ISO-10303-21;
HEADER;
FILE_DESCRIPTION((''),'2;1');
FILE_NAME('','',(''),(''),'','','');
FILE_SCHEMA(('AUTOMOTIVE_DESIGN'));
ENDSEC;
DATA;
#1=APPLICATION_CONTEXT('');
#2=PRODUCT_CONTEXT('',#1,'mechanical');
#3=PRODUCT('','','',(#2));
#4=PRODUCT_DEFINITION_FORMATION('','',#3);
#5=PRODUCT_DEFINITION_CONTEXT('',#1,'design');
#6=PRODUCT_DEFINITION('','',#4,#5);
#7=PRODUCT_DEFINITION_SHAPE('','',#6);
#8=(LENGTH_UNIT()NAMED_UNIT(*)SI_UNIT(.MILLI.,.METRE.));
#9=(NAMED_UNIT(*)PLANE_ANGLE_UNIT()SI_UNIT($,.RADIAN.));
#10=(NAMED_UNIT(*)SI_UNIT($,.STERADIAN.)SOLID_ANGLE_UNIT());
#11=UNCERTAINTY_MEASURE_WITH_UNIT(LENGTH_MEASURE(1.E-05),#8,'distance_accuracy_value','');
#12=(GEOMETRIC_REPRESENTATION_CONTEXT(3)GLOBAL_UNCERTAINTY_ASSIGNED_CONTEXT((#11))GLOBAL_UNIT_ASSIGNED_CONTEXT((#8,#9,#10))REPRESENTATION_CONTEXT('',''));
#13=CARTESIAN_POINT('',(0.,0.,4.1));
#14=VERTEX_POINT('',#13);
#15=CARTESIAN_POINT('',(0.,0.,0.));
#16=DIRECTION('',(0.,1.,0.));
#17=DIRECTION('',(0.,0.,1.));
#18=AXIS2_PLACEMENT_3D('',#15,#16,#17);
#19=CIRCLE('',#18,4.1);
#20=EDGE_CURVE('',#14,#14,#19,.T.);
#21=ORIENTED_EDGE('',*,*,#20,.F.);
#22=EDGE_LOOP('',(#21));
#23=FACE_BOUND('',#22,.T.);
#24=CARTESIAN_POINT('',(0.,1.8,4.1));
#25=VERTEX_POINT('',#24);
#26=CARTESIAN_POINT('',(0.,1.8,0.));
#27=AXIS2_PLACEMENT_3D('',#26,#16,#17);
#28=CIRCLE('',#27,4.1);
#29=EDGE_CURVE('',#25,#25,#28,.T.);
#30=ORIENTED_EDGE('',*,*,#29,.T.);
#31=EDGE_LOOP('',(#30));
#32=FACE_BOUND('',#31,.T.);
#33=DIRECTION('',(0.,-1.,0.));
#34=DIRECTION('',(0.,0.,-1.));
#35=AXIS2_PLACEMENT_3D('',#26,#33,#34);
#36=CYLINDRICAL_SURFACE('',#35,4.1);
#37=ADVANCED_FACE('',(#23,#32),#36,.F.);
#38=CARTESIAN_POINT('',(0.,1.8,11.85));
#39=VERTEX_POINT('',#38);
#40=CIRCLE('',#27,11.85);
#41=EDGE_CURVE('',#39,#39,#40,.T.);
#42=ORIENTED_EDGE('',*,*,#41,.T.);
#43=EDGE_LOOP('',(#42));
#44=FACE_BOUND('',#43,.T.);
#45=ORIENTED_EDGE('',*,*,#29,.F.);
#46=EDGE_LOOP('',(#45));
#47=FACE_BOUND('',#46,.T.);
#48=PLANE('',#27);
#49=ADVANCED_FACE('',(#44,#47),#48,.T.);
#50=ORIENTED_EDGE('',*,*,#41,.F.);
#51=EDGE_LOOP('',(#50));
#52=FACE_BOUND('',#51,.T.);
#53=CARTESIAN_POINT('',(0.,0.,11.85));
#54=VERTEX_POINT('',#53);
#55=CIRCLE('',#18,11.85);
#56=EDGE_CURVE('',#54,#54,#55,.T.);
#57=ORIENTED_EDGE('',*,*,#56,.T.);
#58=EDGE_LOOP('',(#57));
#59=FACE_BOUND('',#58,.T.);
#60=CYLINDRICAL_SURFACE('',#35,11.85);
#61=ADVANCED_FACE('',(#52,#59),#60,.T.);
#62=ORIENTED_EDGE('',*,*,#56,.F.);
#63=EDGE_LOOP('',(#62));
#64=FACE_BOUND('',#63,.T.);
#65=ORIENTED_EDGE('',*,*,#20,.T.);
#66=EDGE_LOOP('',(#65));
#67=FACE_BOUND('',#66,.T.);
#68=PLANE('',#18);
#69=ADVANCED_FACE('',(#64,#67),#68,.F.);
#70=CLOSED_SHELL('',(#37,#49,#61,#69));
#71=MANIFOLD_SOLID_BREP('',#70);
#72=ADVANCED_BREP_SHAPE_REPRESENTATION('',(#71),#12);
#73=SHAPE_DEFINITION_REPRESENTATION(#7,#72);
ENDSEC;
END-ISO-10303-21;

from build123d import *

# Parameters (mm, degrees)
SKETCH1_R           = 11.85
SKETCH1_R_2         = 4.1
BOSS_EXTRUDE1_DEPTH = 1.8


with BuildPart() as part:
    # Sketch1 → Boss-Extrude1 (new body)
    with BuildSketch(Plane(origin=(0, 0, 0), x_dir=(1, 0, 0), z_dir=(0, 1, 0))):
        with Locations(Location((0, 0, 0), (0, 0, 270))):  # turned: the seam where the file's is
            Circle(SKETCH1_R)
        with Locations(Location((0, 0, 0), (0, 0, 270))):  # turned: the seam where the file's is
            Circle(SKETCH1_R_2, mode=Mode.SUBTRACT)
    extrude(amount=BOSS_EXTRUDE1_DEPTH)


solid = part.part
